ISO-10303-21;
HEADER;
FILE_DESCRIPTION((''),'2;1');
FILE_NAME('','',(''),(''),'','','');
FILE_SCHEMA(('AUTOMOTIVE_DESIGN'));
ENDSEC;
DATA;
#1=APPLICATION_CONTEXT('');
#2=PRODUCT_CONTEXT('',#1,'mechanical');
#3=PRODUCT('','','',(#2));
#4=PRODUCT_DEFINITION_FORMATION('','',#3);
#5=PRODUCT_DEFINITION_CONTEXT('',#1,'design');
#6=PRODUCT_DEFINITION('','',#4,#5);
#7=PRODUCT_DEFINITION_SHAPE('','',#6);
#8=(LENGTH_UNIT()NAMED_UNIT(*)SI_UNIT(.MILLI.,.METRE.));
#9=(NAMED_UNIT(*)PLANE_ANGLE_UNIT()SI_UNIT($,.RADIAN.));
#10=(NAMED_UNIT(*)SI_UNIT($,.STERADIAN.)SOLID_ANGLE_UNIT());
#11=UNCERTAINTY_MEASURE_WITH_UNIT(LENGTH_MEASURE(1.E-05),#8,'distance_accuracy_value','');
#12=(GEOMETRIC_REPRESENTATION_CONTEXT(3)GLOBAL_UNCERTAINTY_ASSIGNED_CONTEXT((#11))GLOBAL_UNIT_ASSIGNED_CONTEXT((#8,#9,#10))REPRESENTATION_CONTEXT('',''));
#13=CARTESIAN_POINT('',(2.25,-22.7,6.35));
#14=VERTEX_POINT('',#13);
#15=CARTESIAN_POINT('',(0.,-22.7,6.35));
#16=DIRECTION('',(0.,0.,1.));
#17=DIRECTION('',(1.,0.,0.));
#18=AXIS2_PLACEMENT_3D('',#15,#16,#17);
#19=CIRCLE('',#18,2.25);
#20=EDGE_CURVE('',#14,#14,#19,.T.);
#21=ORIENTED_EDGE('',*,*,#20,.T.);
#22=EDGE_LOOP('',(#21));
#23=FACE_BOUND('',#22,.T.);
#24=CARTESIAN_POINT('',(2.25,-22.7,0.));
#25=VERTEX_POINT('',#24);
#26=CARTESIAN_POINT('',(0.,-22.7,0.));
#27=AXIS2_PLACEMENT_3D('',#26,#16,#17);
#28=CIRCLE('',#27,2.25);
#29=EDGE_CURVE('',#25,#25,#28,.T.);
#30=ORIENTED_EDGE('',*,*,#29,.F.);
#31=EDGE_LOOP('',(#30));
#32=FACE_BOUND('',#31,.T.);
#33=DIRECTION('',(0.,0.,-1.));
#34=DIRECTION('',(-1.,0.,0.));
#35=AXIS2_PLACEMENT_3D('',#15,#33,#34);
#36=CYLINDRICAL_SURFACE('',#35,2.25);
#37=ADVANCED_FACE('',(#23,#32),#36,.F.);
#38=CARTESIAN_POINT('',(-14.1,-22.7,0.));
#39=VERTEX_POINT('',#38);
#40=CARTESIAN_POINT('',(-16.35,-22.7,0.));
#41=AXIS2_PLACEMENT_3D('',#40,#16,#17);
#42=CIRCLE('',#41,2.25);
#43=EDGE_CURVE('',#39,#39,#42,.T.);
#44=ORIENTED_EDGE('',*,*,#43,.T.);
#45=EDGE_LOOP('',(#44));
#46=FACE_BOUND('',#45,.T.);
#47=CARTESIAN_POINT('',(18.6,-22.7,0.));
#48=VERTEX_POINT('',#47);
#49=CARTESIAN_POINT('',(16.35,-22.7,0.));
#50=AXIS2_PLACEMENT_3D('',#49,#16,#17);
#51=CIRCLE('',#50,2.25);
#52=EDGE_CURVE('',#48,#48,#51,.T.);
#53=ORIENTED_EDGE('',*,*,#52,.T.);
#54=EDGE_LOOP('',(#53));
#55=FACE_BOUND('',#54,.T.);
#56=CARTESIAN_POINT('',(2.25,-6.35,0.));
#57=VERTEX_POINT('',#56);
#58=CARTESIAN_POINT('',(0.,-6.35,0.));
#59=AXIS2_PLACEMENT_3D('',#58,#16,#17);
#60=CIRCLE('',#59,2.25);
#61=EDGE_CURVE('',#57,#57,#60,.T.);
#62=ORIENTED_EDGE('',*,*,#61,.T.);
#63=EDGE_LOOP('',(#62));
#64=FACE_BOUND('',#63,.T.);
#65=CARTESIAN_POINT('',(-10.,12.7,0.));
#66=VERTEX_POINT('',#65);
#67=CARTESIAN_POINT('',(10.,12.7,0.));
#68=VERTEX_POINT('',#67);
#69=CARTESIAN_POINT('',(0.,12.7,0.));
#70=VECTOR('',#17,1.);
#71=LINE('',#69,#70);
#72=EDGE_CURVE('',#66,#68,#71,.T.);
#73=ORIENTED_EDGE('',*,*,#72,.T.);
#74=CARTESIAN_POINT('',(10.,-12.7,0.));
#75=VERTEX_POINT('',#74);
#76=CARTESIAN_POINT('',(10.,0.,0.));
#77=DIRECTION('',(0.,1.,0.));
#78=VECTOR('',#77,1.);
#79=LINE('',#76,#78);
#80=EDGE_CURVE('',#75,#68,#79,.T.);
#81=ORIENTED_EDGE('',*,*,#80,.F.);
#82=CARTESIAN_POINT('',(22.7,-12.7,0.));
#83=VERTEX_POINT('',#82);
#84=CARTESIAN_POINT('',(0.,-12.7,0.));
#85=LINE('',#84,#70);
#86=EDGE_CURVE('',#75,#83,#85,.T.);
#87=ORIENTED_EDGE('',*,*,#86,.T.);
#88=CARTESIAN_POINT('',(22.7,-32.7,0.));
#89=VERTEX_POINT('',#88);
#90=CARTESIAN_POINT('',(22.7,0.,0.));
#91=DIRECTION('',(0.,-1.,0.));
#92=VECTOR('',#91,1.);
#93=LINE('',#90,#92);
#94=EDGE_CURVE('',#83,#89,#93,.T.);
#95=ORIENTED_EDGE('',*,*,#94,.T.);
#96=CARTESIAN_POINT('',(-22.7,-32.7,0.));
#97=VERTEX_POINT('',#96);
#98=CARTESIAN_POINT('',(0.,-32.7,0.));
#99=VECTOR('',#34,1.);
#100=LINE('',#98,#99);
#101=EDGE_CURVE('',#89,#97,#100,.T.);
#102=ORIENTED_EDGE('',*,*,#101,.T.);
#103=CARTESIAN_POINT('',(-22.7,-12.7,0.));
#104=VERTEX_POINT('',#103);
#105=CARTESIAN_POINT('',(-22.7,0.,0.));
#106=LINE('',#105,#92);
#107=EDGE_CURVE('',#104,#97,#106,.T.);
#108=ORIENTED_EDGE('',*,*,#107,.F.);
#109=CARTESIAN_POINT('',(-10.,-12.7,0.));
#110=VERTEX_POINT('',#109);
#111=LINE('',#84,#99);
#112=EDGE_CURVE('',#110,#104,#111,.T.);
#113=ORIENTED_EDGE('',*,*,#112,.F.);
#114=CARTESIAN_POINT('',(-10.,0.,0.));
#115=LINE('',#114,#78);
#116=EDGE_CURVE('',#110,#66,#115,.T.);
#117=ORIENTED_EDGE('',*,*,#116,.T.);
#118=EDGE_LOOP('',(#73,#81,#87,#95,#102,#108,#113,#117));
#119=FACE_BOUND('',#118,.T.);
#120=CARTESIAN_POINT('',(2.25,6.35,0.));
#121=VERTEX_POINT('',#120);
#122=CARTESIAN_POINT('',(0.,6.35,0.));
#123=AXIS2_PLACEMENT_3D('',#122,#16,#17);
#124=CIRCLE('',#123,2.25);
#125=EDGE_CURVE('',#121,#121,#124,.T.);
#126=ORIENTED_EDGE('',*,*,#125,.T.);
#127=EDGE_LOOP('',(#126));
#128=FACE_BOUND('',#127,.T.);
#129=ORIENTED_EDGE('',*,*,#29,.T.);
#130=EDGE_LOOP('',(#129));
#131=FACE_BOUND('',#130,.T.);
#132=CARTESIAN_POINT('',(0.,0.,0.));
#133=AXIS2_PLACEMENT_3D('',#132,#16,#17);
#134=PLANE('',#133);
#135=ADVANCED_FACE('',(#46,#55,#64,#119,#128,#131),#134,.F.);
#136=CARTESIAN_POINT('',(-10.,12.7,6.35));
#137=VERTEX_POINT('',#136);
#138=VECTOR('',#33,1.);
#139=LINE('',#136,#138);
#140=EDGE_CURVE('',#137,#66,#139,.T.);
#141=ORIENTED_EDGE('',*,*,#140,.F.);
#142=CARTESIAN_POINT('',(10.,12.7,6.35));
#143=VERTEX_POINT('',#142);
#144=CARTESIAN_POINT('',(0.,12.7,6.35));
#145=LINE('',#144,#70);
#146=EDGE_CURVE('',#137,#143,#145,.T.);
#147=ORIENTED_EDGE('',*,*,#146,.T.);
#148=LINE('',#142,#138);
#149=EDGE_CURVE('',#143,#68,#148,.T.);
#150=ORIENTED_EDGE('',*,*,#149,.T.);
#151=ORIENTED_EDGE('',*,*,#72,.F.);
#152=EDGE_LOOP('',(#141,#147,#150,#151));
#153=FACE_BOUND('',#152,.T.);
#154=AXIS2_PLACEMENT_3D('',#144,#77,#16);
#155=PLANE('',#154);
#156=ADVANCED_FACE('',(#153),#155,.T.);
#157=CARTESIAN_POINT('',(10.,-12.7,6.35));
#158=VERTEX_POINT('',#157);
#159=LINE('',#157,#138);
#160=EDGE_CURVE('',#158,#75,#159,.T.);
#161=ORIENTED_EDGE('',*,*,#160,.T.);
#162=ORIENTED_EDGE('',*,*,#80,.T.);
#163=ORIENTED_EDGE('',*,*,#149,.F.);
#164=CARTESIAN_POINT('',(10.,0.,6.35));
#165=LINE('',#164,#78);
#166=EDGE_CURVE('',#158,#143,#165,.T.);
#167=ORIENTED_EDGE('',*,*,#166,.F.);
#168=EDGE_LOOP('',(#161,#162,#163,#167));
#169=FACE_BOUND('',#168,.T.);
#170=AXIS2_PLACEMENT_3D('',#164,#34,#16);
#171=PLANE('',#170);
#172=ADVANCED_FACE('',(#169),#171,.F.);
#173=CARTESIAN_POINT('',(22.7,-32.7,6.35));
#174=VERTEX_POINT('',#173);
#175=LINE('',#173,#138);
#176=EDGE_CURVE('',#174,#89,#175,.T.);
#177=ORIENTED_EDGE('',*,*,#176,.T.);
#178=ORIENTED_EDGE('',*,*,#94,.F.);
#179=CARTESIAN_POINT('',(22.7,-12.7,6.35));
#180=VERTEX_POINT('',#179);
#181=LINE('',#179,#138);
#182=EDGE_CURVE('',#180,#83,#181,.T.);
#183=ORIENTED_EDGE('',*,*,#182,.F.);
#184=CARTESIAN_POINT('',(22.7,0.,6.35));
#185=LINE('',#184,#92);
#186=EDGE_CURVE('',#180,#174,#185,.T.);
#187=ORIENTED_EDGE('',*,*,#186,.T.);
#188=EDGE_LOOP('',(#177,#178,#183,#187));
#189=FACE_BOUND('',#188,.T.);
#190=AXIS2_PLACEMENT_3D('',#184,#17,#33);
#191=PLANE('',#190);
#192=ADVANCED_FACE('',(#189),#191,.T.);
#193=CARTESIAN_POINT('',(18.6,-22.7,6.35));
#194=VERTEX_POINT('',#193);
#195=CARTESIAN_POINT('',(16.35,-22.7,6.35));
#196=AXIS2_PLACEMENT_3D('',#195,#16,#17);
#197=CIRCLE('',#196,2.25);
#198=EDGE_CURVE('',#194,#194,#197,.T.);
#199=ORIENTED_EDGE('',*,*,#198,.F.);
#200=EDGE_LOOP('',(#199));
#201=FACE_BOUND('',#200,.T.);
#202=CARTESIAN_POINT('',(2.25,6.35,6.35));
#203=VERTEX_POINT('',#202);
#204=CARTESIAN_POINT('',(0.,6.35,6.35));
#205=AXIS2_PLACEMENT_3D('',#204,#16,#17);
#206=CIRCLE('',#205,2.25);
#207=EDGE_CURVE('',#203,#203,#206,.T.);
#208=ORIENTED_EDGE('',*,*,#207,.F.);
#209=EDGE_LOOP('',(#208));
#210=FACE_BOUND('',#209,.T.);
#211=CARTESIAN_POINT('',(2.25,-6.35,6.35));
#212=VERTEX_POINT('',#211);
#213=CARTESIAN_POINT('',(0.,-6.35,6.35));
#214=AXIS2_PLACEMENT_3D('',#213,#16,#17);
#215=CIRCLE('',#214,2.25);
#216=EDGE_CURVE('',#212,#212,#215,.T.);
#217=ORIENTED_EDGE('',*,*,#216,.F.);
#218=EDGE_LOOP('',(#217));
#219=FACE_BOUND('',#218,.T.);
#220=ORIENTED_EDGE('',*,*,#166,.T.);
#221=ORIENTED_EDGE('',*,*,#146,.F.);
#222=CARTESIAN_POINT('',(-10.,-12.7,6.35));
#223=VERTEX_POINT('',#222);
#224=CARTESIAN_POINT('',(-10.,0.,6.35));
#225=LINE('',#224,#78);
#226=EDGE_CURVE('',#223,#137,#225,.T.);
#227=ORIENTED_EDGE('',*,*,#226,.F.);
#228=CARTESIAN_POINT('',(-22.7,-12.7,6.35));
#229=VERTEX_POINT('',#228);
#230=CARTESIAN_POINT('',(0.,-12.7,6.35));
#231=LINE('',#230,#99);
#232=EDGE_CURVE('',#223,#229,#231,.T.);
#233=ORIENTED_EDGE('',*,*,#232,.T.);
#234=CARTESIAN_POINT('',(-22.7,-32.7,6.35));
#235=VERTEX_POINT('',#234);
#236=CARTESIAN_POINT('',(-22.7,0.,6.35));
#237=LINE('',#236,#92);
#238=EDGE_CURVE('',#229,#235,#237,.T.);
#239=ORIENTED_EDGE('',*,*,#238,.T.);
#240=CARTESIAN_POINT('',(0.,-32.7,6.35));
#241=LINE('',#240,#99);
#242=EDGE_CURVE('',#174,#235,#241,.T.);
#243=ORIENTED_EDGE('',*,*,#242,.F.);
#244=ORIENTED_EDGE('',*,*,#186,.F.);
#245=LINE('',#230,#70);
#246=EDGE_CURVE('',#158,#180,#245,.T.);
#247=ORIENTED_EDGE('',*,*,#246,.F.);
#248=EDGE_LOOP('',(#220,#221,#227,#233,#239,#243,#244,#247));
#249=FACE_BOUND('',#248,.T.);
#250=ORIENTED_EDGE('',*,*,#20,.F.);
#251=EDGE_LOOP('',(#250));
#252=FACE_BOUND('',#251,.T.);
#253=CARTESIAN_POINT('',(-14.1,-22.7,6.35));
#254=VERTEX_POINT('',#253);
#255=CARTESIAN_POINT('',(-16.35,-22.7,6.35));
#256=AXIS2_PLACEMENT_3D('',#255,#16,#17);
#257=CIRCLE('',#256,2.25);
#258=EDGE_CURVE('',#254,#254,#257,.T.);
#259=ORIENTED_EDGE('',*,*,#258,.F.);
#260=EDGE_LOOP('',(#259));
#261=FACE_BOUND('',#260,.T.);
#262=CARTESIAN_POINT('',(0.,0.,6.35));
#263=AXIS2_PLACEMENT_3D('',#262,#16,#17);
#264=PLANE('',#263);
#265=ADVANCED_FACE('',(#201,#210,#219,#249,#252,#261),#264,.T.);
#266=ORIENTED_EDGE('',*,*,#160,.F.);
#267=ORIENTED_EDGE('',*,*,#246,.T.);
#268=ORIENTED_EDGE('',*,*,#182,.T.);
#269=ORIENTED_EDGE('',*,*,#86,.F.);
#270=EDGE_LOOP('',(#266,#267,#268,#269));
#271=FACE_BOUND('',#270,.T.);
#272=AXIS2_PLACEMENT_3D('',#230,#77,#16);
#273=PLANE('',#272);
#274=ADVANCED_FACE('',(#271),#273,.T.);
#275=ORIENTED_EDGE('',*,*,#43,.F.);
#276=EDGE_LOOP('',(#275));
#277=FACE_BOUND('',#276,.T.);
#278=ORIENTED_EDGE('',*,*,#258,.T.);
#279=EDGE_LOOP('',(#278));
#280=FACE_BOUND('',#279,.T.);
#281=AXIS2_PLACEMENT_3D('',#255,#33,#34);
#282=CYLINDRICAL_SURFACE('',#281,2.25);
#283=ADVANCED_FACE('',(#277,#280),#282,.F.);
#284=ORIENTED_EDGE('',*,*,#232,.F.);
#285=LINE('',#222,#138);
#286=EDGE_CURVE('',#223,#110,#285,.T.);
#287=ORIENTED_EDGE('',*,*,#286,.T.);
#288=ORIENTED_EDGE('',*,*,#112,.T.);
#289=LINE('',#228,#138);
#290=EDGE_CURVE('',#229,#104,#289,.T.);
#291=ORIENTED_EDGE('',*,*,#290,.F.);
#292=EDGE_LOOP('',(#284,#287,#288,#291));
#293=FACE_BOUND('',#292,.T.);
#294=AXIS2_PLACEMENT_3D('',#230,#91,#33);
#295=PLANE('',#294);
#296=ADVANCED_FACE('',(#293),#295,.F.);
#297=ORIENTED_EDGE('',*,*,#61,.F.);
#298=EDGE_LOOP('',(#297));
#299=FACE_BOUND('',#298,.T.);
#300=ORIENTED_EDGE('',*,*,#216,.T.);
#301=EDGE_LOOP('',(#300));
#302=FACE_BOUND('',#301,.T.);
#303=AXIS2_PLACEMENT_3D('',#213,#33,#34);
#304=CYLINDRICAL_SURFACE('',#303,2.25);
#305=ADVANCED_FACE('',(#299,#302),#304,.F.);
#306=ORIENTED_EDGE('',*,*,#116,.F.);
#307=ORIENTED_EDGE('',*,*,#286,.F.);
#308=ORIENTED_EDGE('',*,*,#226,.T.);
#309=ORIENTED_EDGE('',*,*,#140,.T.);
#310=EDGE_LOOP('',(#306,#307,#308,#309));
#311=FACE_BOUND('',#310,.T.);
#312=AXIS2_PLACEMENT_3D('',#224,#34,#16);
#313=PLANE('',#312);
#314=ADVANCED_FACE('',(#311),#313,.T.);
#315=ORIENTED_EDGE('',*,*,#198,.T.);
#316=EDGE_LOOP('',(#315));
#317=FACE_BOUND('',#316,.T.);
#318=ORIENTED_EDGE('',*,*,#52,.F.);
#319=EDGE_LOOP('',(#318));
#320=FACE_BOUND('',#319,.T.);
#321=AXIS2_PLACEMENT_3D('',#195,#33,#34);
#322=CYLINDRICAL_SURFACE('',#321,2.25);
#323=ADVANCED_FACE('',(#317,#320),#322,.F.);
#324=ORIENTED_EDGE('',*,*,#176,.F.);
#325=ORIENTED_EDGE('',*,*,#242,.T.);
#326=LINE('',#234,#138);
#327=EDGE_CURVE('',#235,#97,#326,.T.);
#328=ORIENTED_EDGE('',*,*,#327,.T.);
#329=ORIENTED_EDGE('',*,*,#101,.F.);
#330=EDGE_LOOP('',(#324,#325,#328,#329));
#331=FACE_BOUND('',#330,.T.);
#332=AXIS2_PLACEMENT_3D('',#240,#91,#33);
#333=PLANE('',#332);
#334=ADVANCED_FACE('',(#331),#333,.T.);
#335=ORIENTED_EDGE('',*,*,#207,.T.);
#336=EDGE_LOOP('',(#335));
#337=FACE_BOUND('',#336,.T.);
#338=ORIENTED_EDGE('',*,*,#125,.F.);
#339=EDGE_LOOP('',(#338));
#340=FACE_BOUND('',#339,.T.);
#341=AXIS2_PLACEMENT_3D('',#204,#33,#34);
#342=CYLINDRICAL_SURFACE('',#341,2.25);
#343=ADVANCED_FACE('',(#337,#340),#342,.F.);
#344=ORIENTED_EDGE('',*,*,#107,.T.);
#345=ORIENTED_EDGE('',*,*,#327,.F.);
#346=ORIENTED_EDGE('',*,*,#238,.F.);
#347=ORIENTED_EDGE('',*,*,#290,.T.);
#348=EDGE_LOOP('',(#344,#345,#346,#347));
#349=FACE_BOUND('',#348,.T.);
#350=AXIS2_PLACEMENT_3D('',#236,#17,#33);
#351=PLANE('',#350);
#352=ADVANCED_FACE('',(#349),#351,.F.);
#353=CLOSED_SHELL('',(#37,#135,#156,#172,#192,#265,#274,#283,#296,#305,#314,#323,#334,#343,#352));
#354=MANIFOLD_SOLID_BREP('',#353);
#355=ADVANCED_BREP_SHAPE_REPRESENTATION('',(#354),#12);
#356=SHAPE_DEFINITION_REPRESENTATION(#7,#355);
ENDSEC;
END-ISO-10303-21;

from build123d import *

# Parameters (mm, degrees)
SKETCH1_R           = 2.25
BOSS_EXTRUDE1_DEPTH = 6.35


with BuildPart() as part:
    # Sketch1 → Boss-Extrude1 (new body)
    with BuildSketch(Plane.XY):
        Polygon((-10, -12.7), (-22.7, -12.7), (-22.7, -32.7), (22.7, -32.7), (22.7, -12.7), (10, -12.7), (10, 12.7), (-10, 12.7), align=None)
        with Locations((16.35, -22.7)):
            Circle(SKETCH1_R, mode=Mode.SUBTRACT)
        with Locations((0, 6.35)):
            Circle(SKETCH1_R, mode=Mode.SUBTRACT)
        with Locations((0, -22.7)):
            Circle(SKETCH1_R, mode=Mode.SUBTRACT)
        with Locations((0, -6.35)):
            Circle(SKETCH1_R, mode=Mode.SUBTRACT)
        with Locations((-16.35, -22.7)):
            Circle(SKETCH1_R, mode=Mode.SUBTRACT)
    extrude(amount=BOSS_EXTRUDE1_DEPTH)


solid = part.part
